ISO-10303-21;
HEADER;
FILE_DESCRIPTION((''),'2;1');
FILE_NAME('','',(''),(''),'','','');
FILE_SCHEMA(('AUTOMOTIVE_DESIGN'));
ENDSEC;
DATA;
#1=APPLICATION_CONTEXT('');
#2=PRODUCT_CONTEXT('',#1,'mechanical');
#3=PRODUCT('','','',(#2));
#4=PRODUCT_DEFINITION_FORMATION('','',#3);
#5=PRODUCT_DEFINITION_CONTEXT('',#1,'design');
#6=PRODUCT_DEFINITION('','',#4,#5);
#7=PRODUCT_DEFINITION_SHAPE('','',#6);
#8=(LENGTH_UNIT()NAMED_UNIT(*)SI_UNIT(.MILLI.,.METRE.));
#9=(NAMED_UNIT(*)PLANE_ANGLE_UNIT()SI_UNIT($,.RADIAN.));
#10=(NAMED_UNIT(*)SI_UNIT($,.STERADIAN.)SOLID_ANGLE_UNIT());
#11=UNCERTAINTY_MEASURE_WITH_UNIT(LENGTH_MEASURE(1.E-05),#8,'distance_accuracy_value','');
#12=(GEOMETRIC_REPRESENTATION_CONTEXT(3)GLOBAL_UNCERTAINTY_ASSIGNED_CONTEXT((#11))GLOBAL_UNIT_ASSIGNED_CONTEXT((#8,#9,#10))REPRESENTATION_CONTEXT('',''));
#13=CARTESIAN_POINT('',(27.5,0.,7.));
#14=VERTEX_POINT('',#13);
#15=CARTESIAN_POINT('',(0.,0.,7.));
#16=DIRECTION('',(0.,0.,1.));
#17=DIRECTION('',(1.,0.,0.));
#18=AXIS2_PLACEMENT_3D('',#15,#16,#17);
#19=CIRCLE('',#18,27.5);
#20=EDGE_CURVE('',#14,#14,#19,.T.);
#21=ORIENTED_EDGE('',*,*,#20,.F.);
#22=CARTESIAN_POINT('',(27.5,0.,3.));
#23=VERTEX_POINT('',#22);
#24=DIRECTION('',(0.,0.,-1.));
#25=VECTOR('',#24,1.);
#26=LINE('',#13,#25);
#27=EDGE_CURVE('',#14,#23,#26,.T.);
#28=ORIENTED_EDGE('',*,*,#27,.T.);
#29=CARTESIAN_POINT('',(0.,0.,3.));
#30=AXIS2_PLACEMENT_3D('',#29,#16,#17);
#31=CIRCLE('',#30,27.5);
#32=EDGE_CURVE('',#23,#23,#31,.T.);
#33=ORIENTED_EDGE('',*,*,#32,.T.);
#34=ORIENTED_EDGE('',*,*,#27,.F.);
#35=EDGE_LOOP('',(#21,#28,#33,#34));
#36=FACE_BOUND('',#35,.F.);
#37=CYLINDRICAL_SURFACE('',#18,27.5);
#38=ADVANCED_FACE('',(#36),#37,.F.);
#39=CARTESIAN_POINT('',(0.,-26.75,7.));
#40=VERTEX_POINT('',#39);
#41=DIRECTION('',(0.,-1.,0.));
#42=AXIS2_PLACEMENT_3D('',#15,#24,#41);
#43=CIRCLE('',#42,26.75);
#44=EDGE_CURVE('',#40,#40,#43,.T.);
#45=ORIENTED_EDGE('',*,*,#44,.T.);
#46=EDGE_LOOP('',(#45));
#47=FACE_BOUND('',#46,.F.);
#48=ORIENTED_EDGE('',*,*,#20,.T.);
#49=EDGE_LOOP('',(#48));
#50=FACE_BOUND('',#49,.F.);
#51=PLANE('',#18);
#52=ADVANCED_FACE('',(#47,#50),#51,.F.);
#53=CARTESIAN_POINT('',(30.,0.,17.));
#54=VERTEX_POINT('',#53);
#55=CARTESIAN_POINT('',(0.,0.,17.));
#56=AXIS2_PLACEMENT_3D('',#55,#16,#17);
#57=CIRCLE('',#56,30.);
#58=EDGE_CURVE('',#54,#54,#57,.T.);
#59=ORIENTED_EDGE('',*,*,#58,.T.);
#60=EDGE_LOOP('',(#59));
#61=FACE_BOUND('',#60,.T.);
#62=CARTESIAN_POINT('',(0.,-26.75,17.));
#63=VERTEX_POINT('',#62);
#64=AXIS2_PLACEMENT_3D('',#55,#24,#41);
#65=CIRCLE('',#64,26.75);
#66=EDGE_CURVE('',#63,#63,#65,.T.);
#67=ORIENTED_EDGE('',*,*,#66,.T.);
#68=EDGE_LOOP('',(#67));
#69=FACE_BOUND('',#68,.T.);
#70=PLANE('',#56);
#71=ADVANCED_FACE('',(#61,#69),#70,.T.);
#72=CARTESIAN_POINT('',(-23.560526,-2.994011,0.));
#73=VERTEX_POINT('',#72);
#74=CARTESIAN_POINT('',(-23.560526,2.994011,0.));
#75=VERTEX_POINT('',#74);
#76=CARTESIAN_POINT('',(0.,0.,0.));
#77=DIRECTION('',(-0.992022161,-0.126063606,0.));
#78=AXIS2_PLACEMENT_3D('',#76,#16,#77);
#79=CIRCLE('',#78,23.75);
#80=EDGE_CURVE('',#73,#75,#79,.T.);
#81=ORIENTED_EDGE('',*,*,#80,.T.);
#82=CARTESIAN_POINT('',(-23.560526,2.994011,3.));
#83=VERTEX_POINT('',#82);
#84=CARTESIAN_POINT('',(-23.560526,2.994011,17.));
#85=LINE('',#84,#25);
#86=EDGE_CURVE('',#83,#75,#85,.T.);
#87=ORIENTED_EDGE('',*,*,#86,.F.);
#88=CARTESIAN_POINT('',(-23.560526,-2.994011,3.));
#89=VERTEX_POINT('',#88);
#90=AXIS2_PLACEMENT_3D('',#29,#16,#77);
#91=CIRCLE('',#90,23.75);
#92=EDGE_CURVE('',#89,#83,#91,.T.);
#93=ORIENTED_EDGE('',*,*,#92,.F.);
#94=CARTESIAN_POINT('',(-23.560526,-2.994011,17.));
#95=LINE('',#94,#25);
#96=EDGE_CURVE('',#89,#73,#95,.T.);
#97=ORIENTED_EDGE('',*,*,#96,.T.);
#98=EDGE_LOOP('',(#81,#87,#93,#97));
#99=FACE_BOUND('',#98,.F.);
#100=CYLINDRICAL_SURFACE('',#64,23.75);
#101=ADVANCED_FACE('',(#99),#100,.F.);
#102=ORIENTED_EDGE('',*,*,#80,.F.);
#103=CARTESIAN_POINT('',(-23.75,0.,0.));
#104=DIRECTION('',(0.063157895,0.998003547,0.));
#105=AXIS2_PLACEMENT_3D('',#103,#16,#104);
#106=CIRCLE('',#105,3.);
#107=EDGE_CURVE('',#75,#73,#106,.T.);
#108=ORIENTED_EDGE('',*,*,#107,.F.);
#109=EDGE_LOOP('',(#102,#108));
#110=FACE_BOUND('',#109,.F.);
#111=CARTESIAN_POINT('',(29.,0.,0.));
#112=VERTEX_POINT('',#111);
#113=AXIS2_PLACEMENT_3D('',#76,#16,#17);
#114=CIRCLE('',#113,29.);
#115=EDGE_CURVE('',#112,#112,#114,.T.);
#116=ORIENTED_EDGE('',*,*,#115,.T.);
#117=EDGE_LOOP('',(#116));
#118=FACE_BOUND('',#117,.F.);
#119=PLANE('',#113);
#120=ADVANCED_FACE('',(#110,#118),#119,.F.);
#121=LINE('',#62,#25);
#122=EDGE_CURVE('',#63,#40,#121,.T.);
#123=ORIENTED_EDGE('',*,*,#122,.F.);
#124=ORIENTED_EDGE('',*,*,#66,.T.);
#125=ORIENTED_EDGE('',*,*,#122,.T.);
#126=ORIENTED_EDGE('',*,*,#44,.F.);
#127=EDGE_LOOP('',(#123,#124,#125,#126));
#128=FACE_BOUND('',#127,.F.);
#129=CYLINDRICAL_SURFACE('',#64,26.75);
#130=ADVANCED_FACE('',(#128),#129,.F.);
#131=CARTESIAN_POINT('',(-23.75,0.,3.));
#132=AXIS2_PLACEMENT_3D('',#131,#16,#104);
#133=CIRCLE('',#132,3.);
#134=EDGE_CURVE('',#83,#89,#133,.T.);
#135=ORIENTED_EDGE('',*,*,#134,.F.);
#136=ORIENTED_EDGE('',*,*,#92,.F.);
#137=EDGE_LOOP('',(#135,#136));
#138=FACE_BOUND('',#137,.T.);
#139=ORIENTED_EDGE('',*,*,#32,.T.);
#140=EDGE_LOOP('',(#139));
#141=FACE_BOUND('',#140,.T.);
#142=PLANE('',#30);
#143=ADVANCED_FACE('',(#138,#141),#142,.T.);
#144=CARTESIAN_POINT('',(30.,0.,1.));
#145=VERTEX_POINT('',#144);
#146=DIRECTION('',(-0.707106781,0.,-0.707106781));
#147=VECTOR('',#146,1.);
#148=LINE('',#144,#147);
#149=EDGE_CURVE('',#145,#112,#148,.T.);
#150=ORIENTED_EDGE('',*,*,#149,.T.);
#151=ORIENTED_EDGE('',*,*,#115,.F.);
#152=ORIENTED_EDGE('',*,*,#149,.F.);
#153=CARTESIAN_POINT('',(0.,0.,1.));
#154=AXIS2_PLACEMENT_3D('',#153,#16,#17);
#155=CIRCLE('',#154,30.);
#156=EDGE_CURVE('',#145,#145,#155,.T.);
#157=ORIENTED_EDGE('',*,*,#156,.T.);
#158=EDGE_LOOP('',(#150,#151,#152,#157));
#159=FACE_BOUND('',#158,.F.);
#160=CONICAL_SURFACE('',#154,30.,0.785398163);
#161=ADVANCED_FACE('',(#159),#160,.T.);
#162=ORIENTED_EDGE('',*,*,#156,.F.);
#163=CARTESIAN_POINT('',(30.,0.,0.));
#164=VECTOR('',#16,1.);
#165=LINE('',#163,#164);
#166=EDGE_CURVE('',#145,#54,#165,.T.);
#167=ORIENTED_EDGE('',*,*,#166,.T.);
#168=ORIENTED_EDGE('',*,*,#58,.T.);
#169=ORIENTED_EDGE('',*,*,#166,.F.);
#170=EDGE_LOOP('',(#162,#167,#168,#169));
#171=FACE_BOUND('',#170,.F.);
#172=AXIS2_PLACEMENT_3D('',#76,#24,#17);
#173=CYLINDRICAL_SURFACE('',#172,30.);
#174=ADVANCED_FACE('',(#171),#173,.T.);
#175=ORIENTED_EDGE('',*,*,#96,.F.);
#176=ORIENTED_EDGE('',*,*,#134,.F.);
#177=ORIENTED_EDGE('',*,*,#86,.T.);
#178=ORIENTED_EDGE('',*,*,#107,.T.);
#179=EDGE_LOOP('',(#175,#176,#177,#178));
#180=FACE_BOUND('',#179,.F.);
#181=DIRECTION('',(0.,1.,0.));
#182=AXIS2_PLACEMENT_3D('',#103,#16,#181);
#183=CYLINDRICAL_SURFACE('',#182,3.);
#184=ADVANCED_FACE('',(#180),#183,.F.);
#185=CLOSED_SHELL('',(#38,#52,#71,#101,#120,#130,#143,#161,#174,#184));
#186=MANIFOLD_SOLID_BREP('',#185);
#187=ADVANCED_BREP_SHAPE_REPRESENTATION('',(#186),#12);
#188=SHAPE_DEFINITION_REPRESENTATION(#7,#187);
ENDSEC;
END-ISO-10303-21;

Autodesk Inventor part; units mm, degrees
ref_plane "YZ Plane" through (0, 0, 0) normal (1, 0, 0) x (0, 1, 0)
sketch "Skizze2" plane through (0, 0, 0) normal (0, 0, 1) x (1, 0, 0)
  circle A0 centre (0, 0) radius 30
  dimension "d0" = 60
extrude "Extrusion1" add sketch "Skizze2" along normal blind 17
sketch "Skizze8" plane through (0, 0, 17) normal (0, 0, 1) x (1, 0, 0)
  circle A0 centre (0, 0) radius 30 projected
hole "Bohrung1" at (0, 0, 17) direction (0, 0, -1) diameter 47.5 end through all
ref_plane "Arbeitsebene1" through (0, 0, 3) normal (0, 0, -1) x (-1, 0, 0)
ref_plane "Arbeitsebene2" through (0, 0, 7) normal (0, 0, -1) x (-1, 0, 0)
sketch "Skizze6" plane through (0, 0, 17) normal (0, 0, 1) x (1, 0, 0)
  circle A0 centre (0, 0) radius 23.75 projected
  circle A1 centre (0, 0) radius 30 projected
  circle A2 centre (0, 0) radius 27.5
  dimension "d34" = 55
extrude "Extrusion4" cut sketch "Skizze6" against normal up to surface (4 mm away) from surface at -10 contours A2
sketch "Skizze7" plane through (0, 0, 17) normal (0, 0, 1) x (1, 0, 0)
  circle A0 centre (0, 0) radius 30 projected
hole "Bohrung2" at (0, 0, 17) direction (0, 0, -1) diameter 53.5 depth 10 tip angle 118
thread "Gewinde3" size "M55x1.5" class "6H" standard "ANSI Metric M Profile" length 10
chamfer "Fase4" distance 1 angle 45 1 edges at (-30, 0, 0)
sketch "Skizze9" plane through (0, 0, 0) normal (0, 0, -1) x (-1, 0, 0)
  point P0 (0, 0)
  point P1 (23.75, 0)
  dimension "d51" = 23.75
hole "Bohrung3" at (-23.75, 0, 0) direction (0, 0, 1) diameter 6 end through all
equation "\"Biegeradius\" = Stärke"
equation "\"BreiteBiegungsfreistellung\" = Stärke"
equation "\"TiefeBiegungsfreistellung\" = 0.5 * Stärke"
equation "\"GrößeEckenfreistellung\" = 4 * Stärke"
equation "\"MinimalRest\" = 2 * Stärke"
equation "\"Übergangsradius\" = Biegeradius"
equation "\"JacobiRadiusGröße\" = Stärke"
equation "\"Abstandsgröße\" = Stärke"
equation "\"Stärke\" = 0.5"
properties part number "Überwurfmutter" material "PC/ABS-Kunststoff"
